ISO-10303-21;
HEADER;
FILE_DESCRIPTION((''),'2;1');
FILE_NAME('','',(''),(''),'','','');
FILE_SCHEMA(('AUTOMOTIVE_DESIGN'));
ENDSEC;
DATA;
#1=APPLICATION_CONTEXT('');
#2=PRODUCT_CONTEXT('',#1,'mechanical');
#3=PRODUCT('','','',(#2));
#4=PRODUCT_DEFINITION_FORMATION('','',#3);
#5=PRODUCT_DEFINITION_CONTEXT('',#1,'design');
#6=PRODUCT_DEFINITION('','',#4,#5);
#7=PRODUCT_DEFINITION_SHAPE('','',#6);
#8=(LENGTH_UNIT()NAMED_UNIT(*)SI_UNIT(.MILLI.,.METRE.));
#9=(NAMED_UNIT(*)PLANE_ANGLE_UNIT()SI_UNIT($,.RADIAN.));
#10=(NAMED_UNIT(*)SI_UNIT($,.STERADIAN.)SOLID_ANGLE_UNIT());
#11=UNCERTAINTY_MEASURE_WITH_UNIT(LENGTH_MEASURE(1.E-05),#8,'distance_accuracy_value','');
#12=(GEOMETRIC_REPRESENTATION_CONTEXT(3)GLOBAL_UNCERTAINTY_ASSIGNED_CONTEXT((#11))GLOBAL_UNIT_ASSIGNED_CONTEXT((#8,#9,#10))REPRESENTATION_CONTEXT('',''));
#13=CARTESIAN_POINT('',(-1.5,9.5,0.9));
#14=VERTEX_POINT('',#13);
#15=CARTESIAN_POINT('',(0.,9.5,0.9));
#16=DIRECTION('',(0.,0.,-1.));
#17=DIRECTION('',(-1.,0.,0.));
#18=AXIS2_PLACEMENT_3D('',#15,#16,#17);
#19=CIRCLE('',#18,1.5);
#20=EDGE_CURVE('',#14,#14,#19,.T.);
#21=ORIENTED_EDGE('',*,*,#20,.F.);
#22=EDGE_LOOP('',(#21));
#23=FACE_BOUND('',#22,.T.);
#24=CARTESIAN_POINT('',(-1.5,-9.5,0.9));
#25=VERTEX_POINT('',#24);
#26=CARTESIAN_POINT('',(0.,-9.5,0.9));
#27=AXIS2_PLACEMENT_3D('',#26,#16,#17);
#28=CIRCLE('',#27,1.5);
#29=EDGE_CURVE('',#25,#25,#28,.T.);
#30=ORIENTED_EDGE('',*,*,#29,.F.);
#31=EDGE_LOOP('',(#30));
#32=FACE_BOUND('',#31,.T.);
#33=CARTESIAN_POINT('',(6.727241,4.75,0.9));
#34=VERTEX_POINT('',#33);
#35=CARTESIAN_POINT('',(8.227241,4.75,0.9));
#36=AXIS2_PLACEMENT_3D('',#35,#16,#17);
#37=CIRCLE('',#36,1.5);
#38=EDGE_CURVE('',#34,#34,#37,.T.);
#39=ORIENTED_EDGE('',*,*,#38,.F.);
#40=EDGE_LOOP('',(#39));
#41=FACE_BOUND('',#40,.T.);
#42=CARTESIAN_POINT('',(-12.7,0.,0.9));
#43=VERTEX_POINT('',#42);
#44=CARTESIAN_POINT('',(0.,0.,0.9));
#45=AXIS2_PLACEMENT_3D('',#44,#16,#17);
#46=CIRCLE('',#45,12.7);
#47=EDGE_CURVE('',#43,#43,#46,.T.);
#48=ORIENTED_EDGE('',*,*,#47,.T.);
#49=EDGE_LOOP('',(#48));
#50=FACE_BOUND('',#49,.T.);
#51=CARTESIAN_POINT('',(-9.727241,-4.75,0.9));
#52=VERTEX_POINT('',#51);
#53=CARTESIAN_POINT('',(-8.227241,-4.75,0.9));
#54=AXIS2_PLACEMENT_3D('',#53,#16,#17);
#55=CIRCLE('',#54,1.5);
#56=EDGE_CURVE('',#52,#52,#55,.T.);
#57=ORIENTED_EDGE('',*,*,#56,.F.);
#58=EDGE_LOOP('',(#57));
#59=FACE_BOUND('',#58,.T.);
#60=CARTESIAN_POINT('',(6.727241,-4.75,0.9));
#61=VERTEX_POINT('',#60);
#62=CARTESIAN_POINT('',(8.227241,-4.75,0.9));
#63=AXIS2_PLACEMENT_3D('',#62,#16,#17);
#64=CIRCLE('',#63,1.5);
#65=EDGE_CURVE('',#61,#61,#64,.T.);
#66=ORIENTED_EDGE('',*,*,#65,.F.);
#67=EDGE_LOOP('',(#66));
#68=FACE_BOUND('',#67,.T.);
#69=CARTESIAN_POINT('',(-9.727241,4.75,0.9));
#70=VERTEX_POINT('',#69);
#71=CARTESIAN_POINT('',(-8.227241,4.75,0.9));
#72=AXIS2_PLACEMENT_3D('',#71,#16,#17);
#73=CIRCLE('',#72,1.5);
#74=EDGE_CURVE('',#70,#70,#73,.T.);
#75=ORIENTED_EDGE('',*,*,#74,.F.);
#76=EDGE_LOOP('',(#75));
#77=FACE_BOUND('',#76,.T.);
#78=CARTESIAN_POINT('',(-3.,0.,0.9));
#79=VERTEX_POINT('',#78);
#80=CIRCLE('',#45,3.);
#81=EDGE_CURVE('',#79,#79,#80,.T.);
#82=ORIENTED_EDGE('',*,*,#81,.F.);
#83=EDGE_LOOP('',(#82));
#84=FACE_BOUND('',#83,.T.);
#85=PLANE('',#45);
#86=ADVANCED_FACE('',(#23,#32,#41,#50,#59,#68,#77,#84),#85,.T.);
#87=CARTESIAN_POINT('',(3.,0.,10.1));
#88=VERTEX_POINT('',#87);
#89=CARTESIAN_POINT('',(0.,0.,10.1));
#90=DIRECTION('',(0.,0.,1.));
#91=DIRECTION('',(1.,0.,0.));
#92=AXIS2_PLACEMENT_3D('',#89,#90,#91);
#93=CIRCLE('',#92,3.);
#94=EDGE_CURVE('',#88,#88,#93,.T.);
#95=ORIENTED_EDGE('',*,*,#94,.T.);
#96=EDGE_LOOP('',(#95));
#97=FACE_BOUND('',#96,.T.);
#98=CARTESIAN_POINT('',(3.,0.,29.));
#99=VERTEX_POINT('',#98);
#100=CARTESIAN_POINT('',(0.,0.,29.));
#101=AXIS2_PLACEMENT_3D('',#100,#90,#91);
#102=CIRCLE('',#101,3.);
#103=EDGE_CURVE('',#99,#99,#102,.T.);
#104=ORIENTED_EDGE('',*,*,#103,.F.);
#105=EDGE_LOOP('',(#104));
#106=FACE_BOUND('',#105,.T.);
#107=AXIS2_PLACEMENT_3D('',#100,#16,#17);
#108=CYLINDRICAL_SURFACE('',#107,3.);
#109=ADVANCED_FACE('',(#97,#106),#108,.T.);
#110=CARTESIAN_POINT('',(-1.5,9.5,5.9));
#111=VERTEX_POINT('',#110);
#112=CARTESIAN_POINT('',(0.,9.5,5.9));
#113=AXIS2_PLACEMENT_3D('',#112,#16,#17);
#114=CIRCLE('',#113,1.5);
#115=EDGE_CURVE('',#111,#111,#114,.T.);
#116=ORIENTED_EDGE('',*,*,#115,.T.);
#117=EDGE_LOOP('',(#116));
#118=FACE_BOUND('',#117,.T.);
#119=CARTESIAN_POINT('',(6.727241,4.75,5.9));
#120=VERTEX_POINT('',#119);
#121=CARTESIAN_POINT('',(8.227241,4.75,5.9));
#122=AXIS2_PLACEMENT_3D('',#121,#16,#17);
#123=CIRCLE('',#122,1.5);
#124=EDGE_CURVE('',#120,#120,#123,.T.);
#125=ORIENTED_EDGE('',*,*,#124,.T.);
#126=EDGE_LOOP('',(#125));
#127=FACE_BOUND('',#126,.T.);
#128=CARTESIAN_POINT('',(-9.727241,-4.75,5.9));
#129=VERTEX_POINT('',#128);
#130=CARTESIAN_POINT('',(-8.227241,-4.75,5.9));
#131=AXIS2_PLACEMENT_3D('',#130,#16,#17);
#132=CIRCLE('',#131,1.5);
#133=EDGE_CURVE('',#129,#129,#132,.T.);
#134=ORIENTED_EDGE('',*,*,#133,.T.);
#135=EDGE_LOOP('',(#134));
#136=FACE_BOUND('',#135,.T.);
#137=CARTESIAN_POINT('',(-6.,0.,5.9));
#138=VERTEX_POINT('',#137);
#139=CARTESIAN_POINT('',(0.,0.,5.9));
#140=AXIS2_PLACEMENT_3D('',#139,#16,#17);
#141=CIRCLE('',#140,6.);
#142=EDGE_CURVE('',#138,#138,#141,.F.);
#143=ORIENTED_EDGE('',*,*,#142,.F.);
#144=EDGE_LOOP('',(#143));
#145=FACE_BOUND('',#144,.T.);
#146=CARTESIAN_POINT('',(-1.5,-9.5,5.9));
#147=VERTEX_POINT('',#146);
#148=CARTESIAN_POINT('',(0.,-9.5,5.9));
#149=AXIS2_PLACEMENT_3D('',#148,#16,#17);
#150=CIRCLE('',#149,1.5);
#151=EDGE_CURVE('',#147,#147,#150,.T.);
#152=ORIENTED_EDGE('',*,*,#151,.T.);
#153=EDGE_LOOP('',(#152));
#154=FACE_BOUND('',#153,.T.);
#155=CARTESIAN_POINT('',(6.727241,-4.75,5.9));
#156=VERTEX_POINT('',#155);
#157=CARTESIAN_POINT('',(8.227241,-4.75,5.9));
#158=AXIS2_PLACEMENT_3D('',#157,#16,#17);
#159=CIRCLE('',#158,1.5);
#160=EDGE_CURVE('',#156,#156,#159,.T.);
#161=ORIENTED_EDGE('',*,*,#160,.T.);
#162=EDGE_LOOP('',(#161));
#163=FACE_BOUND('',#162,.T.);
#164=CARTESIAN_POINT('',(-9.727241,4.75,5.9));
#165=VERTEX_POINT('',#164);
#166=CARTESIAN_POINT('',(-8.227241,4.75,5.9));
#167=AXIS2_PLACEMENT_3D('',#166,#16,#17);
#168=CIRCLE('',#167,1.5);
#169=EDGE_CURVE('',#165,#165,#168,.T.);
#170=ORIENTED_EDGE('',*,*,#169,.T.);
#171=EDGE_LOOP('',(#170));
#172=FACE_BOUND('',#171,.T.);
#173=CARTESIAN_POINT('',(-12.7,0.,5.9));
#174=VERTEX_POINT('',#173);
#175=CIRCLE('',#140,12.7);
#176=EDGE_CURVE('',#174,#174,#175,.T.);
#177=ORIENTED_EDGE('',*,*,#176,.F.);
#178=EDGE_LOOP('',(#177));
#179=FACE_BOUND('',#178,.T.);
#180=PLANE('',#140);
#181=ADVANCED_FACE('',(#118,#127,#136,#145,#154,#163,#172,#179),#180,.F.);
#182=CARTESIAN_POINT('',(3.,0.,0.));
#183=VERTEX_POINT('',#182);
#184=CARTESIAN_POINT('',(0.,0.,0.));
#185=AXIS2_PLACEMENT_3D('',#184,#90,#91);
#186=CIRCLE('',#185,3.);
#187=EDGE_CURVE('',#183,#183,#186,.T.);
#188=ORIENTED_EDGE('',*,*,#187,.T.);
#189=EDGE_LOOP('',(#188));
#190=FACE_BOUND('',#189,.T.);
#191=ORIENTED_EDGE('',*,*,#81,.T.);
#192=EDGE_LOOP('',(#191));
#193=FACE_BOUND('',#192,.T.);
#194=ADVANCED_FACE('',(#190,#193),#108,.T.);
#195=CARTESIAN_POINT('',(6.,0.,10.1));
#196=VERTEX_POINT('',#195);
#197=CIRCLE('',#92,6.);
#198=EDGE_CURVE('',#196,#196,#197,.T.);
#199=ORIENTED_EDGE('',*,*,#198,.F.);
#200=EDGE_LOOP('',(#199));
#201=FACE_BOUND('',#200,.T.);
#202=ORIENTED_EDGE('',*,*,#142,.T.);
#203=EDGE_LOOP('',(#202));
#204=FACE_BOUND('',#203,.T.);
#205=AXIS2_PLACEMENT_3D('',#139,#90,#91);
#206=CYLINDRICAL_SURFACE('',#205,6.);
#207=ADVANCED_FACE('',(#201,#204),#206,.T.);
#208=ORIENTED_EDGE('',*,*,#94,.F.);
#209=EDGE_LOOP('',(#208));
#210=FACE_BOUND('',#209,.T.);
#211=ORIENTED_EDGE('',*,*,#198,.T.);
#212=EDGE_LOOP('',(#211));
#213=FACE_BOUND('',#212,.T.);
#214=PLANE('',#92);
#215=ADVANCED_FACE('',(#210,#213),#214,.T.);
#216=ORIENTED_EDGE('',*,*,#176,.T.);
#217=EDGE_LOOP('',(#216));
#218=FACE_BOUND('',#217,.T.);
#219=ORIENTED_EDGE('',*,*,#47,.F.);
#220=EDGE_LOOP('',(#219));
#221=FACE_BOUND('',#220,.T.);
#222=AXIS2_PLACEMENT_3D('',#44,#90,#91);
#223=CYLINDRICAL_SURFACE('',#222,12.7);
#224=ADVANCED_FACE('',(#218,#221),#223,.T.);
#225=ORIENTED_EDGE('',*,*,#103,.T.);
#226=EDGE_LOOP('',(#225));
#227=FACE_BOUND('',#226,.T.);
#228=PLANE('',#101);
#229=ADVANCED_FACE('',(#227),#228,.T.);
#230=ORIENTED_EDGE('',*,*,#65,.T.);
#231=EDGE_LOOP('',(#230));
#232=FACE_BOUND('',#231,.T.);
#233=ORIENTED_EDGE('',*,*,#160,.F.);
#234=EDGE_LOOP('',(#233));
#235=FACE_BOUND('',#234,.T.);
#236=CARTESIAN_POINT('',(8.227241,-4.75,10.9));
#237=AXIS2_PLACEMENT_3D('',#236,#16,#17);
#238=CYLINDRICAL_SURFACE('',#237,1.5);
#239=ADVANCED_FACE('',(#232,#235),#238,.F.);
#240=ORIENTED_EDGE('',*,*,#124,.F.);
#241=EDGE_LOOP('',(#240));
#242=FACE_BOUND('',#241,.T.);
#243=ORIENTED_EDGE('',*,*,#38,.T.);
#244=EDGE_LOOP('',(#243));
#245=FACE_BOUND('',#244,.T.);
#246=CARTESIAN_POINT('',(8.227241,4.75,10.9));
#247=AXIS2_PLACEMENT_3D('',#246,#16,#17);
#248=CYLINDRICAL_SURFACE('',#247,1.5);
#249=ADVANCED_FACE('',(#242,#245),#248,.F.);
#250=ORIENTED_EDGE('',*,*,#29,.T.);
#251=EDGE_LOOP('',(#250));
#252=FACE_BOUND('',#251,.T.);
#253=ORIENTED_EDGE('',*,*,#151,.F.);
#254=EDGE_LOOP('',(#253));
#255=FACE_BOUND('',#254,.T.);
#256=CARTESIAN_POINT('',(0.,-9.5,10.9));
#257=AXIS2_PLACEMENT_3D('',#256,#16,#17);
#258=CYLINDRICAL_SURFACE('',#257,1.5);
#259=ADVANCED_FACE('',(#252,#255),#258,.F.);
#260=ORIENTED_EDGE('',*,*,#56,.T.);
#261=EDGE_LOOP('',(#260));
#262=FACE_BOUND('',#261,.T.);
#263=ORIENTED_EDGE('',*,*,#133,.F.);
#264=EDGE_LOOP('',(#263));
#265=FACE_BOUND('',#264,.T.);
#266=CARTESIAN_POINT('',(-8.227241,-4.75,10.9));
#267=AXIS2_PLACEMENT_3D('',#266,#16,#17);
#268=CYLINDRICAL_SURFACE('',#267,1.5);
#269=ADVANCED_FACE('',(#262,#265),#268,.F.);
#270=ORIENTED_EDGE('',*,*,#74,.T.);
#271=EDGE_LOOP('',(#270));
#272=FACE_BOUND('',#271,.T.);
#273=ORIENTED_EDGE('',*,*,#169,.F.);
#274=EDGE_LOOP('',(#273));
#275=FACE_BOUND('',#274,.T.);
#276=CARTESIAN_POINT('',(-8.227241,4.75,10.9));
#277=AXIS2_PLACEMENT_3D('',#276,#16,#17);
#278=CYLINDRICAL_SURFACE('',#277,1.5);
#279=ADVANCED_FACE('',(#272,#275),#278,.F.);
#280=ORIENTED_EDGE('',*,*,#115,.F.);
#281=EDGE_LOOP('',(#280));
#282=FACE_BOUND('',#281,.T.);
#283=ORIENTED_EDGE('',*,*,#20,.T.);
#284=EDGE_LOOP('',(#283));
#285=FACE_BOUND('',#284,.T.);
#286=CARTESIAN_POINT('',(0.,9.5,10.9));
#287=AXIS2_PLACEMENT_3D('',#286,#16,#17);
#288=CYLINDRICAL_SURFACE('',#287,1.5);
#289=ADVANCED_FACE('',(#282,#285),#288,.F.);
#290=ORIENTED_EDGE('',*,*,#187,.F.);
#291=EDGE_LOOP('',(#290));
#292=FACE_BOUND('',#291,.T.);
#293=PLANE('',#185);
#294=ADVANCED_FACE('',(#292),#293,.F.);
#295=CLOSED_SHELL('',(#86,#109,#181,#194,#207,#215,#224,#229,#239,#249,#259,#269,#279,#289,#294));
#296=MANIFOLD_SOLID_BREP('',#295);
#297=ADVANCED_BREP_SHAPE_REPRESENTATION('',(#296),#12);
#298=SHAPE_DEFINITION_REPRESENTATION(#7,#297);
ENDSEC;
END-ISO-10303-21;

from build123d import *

# Parameters (mm, degrees)
SKETCH1_R           = 3
BOSS_EXTRUDE1_DEPTH = 29
SKETCH2_R           = 6
BOSS_EXTRUDE2_DEPTH = 2.1
SKETCH3_R           = 12.7
BOSS_EXTRUDE3_DEPTH = 5
SKETCH4_R           = 6
BOSS_EXTRUDE4_DEPTH = 2.1
SKETCH10_R          = 1.5
CUT_EXTRUDE1_DEPTH  = 10


with BuildPart() as part:
    # Sketch1 → Boss-Extrude1 (new body)
    with BuildSketch(Plane.XY):
        Circle(SKETCH1_R)
    extrude(amount=BOSS_EXTRUDE1_DEPTH)

    # Sketch2 → Boss-Extrude2 (add)
    with BuildSketch(Plane.XY.offset(8)):
        Circle(SKETCH2_R)
    extrude(amount=-BOSS_EXTRUDE2_DEPTH)

    # Sketch3 → Boss-Extrude3 (add)
    with BuildSketch(Plane(origin=(0, 0, 5.9), x_dir=(-1, 0, 0), z_dir=(0, 0, -1))):
        Circle(SKETCH3_R)
    extrude(amount=BOSS_EXTRUDE3_DEPTH)

    # Sketch4 → Boss-Extrude4 (add)
    with BuildSketch(Plane.XY.offset(8)):
        Circle(SKETCH4_R)
    extrude(amount=BOSS_EXTRUDE4_DEPTH)

    # Sketch10 → Cut-Extrude1 (cut)
    with BuildSketch(Plane(origin=(0, 0, 0.9), x_dir=(-1, 0, 0), z_dir=(0, 0, -1))):
        with Locations((8.227241336, 4.75)):
            Circle(SKETCH10_R)
        with Locations((0, 9.5)):
            Circle(SKETCH10_R)
        with Locations((8.227241336, -4.75)):
            Circle(SKETCH10_R)
        with Locations((0, -9.5)):
            Circle(SKETCH10_R)
        with Locations((-8.227241336, -4.75)):
            Circle(SKETCH10_R)
        with Locations((-8.227241336, 4.75)):
            Circle(SKETCH10_R)
    extrude(amount=-CUT_EXTRUDE1_DEPTH, mode=Mode.SUBTRACT)


solid = part.part
